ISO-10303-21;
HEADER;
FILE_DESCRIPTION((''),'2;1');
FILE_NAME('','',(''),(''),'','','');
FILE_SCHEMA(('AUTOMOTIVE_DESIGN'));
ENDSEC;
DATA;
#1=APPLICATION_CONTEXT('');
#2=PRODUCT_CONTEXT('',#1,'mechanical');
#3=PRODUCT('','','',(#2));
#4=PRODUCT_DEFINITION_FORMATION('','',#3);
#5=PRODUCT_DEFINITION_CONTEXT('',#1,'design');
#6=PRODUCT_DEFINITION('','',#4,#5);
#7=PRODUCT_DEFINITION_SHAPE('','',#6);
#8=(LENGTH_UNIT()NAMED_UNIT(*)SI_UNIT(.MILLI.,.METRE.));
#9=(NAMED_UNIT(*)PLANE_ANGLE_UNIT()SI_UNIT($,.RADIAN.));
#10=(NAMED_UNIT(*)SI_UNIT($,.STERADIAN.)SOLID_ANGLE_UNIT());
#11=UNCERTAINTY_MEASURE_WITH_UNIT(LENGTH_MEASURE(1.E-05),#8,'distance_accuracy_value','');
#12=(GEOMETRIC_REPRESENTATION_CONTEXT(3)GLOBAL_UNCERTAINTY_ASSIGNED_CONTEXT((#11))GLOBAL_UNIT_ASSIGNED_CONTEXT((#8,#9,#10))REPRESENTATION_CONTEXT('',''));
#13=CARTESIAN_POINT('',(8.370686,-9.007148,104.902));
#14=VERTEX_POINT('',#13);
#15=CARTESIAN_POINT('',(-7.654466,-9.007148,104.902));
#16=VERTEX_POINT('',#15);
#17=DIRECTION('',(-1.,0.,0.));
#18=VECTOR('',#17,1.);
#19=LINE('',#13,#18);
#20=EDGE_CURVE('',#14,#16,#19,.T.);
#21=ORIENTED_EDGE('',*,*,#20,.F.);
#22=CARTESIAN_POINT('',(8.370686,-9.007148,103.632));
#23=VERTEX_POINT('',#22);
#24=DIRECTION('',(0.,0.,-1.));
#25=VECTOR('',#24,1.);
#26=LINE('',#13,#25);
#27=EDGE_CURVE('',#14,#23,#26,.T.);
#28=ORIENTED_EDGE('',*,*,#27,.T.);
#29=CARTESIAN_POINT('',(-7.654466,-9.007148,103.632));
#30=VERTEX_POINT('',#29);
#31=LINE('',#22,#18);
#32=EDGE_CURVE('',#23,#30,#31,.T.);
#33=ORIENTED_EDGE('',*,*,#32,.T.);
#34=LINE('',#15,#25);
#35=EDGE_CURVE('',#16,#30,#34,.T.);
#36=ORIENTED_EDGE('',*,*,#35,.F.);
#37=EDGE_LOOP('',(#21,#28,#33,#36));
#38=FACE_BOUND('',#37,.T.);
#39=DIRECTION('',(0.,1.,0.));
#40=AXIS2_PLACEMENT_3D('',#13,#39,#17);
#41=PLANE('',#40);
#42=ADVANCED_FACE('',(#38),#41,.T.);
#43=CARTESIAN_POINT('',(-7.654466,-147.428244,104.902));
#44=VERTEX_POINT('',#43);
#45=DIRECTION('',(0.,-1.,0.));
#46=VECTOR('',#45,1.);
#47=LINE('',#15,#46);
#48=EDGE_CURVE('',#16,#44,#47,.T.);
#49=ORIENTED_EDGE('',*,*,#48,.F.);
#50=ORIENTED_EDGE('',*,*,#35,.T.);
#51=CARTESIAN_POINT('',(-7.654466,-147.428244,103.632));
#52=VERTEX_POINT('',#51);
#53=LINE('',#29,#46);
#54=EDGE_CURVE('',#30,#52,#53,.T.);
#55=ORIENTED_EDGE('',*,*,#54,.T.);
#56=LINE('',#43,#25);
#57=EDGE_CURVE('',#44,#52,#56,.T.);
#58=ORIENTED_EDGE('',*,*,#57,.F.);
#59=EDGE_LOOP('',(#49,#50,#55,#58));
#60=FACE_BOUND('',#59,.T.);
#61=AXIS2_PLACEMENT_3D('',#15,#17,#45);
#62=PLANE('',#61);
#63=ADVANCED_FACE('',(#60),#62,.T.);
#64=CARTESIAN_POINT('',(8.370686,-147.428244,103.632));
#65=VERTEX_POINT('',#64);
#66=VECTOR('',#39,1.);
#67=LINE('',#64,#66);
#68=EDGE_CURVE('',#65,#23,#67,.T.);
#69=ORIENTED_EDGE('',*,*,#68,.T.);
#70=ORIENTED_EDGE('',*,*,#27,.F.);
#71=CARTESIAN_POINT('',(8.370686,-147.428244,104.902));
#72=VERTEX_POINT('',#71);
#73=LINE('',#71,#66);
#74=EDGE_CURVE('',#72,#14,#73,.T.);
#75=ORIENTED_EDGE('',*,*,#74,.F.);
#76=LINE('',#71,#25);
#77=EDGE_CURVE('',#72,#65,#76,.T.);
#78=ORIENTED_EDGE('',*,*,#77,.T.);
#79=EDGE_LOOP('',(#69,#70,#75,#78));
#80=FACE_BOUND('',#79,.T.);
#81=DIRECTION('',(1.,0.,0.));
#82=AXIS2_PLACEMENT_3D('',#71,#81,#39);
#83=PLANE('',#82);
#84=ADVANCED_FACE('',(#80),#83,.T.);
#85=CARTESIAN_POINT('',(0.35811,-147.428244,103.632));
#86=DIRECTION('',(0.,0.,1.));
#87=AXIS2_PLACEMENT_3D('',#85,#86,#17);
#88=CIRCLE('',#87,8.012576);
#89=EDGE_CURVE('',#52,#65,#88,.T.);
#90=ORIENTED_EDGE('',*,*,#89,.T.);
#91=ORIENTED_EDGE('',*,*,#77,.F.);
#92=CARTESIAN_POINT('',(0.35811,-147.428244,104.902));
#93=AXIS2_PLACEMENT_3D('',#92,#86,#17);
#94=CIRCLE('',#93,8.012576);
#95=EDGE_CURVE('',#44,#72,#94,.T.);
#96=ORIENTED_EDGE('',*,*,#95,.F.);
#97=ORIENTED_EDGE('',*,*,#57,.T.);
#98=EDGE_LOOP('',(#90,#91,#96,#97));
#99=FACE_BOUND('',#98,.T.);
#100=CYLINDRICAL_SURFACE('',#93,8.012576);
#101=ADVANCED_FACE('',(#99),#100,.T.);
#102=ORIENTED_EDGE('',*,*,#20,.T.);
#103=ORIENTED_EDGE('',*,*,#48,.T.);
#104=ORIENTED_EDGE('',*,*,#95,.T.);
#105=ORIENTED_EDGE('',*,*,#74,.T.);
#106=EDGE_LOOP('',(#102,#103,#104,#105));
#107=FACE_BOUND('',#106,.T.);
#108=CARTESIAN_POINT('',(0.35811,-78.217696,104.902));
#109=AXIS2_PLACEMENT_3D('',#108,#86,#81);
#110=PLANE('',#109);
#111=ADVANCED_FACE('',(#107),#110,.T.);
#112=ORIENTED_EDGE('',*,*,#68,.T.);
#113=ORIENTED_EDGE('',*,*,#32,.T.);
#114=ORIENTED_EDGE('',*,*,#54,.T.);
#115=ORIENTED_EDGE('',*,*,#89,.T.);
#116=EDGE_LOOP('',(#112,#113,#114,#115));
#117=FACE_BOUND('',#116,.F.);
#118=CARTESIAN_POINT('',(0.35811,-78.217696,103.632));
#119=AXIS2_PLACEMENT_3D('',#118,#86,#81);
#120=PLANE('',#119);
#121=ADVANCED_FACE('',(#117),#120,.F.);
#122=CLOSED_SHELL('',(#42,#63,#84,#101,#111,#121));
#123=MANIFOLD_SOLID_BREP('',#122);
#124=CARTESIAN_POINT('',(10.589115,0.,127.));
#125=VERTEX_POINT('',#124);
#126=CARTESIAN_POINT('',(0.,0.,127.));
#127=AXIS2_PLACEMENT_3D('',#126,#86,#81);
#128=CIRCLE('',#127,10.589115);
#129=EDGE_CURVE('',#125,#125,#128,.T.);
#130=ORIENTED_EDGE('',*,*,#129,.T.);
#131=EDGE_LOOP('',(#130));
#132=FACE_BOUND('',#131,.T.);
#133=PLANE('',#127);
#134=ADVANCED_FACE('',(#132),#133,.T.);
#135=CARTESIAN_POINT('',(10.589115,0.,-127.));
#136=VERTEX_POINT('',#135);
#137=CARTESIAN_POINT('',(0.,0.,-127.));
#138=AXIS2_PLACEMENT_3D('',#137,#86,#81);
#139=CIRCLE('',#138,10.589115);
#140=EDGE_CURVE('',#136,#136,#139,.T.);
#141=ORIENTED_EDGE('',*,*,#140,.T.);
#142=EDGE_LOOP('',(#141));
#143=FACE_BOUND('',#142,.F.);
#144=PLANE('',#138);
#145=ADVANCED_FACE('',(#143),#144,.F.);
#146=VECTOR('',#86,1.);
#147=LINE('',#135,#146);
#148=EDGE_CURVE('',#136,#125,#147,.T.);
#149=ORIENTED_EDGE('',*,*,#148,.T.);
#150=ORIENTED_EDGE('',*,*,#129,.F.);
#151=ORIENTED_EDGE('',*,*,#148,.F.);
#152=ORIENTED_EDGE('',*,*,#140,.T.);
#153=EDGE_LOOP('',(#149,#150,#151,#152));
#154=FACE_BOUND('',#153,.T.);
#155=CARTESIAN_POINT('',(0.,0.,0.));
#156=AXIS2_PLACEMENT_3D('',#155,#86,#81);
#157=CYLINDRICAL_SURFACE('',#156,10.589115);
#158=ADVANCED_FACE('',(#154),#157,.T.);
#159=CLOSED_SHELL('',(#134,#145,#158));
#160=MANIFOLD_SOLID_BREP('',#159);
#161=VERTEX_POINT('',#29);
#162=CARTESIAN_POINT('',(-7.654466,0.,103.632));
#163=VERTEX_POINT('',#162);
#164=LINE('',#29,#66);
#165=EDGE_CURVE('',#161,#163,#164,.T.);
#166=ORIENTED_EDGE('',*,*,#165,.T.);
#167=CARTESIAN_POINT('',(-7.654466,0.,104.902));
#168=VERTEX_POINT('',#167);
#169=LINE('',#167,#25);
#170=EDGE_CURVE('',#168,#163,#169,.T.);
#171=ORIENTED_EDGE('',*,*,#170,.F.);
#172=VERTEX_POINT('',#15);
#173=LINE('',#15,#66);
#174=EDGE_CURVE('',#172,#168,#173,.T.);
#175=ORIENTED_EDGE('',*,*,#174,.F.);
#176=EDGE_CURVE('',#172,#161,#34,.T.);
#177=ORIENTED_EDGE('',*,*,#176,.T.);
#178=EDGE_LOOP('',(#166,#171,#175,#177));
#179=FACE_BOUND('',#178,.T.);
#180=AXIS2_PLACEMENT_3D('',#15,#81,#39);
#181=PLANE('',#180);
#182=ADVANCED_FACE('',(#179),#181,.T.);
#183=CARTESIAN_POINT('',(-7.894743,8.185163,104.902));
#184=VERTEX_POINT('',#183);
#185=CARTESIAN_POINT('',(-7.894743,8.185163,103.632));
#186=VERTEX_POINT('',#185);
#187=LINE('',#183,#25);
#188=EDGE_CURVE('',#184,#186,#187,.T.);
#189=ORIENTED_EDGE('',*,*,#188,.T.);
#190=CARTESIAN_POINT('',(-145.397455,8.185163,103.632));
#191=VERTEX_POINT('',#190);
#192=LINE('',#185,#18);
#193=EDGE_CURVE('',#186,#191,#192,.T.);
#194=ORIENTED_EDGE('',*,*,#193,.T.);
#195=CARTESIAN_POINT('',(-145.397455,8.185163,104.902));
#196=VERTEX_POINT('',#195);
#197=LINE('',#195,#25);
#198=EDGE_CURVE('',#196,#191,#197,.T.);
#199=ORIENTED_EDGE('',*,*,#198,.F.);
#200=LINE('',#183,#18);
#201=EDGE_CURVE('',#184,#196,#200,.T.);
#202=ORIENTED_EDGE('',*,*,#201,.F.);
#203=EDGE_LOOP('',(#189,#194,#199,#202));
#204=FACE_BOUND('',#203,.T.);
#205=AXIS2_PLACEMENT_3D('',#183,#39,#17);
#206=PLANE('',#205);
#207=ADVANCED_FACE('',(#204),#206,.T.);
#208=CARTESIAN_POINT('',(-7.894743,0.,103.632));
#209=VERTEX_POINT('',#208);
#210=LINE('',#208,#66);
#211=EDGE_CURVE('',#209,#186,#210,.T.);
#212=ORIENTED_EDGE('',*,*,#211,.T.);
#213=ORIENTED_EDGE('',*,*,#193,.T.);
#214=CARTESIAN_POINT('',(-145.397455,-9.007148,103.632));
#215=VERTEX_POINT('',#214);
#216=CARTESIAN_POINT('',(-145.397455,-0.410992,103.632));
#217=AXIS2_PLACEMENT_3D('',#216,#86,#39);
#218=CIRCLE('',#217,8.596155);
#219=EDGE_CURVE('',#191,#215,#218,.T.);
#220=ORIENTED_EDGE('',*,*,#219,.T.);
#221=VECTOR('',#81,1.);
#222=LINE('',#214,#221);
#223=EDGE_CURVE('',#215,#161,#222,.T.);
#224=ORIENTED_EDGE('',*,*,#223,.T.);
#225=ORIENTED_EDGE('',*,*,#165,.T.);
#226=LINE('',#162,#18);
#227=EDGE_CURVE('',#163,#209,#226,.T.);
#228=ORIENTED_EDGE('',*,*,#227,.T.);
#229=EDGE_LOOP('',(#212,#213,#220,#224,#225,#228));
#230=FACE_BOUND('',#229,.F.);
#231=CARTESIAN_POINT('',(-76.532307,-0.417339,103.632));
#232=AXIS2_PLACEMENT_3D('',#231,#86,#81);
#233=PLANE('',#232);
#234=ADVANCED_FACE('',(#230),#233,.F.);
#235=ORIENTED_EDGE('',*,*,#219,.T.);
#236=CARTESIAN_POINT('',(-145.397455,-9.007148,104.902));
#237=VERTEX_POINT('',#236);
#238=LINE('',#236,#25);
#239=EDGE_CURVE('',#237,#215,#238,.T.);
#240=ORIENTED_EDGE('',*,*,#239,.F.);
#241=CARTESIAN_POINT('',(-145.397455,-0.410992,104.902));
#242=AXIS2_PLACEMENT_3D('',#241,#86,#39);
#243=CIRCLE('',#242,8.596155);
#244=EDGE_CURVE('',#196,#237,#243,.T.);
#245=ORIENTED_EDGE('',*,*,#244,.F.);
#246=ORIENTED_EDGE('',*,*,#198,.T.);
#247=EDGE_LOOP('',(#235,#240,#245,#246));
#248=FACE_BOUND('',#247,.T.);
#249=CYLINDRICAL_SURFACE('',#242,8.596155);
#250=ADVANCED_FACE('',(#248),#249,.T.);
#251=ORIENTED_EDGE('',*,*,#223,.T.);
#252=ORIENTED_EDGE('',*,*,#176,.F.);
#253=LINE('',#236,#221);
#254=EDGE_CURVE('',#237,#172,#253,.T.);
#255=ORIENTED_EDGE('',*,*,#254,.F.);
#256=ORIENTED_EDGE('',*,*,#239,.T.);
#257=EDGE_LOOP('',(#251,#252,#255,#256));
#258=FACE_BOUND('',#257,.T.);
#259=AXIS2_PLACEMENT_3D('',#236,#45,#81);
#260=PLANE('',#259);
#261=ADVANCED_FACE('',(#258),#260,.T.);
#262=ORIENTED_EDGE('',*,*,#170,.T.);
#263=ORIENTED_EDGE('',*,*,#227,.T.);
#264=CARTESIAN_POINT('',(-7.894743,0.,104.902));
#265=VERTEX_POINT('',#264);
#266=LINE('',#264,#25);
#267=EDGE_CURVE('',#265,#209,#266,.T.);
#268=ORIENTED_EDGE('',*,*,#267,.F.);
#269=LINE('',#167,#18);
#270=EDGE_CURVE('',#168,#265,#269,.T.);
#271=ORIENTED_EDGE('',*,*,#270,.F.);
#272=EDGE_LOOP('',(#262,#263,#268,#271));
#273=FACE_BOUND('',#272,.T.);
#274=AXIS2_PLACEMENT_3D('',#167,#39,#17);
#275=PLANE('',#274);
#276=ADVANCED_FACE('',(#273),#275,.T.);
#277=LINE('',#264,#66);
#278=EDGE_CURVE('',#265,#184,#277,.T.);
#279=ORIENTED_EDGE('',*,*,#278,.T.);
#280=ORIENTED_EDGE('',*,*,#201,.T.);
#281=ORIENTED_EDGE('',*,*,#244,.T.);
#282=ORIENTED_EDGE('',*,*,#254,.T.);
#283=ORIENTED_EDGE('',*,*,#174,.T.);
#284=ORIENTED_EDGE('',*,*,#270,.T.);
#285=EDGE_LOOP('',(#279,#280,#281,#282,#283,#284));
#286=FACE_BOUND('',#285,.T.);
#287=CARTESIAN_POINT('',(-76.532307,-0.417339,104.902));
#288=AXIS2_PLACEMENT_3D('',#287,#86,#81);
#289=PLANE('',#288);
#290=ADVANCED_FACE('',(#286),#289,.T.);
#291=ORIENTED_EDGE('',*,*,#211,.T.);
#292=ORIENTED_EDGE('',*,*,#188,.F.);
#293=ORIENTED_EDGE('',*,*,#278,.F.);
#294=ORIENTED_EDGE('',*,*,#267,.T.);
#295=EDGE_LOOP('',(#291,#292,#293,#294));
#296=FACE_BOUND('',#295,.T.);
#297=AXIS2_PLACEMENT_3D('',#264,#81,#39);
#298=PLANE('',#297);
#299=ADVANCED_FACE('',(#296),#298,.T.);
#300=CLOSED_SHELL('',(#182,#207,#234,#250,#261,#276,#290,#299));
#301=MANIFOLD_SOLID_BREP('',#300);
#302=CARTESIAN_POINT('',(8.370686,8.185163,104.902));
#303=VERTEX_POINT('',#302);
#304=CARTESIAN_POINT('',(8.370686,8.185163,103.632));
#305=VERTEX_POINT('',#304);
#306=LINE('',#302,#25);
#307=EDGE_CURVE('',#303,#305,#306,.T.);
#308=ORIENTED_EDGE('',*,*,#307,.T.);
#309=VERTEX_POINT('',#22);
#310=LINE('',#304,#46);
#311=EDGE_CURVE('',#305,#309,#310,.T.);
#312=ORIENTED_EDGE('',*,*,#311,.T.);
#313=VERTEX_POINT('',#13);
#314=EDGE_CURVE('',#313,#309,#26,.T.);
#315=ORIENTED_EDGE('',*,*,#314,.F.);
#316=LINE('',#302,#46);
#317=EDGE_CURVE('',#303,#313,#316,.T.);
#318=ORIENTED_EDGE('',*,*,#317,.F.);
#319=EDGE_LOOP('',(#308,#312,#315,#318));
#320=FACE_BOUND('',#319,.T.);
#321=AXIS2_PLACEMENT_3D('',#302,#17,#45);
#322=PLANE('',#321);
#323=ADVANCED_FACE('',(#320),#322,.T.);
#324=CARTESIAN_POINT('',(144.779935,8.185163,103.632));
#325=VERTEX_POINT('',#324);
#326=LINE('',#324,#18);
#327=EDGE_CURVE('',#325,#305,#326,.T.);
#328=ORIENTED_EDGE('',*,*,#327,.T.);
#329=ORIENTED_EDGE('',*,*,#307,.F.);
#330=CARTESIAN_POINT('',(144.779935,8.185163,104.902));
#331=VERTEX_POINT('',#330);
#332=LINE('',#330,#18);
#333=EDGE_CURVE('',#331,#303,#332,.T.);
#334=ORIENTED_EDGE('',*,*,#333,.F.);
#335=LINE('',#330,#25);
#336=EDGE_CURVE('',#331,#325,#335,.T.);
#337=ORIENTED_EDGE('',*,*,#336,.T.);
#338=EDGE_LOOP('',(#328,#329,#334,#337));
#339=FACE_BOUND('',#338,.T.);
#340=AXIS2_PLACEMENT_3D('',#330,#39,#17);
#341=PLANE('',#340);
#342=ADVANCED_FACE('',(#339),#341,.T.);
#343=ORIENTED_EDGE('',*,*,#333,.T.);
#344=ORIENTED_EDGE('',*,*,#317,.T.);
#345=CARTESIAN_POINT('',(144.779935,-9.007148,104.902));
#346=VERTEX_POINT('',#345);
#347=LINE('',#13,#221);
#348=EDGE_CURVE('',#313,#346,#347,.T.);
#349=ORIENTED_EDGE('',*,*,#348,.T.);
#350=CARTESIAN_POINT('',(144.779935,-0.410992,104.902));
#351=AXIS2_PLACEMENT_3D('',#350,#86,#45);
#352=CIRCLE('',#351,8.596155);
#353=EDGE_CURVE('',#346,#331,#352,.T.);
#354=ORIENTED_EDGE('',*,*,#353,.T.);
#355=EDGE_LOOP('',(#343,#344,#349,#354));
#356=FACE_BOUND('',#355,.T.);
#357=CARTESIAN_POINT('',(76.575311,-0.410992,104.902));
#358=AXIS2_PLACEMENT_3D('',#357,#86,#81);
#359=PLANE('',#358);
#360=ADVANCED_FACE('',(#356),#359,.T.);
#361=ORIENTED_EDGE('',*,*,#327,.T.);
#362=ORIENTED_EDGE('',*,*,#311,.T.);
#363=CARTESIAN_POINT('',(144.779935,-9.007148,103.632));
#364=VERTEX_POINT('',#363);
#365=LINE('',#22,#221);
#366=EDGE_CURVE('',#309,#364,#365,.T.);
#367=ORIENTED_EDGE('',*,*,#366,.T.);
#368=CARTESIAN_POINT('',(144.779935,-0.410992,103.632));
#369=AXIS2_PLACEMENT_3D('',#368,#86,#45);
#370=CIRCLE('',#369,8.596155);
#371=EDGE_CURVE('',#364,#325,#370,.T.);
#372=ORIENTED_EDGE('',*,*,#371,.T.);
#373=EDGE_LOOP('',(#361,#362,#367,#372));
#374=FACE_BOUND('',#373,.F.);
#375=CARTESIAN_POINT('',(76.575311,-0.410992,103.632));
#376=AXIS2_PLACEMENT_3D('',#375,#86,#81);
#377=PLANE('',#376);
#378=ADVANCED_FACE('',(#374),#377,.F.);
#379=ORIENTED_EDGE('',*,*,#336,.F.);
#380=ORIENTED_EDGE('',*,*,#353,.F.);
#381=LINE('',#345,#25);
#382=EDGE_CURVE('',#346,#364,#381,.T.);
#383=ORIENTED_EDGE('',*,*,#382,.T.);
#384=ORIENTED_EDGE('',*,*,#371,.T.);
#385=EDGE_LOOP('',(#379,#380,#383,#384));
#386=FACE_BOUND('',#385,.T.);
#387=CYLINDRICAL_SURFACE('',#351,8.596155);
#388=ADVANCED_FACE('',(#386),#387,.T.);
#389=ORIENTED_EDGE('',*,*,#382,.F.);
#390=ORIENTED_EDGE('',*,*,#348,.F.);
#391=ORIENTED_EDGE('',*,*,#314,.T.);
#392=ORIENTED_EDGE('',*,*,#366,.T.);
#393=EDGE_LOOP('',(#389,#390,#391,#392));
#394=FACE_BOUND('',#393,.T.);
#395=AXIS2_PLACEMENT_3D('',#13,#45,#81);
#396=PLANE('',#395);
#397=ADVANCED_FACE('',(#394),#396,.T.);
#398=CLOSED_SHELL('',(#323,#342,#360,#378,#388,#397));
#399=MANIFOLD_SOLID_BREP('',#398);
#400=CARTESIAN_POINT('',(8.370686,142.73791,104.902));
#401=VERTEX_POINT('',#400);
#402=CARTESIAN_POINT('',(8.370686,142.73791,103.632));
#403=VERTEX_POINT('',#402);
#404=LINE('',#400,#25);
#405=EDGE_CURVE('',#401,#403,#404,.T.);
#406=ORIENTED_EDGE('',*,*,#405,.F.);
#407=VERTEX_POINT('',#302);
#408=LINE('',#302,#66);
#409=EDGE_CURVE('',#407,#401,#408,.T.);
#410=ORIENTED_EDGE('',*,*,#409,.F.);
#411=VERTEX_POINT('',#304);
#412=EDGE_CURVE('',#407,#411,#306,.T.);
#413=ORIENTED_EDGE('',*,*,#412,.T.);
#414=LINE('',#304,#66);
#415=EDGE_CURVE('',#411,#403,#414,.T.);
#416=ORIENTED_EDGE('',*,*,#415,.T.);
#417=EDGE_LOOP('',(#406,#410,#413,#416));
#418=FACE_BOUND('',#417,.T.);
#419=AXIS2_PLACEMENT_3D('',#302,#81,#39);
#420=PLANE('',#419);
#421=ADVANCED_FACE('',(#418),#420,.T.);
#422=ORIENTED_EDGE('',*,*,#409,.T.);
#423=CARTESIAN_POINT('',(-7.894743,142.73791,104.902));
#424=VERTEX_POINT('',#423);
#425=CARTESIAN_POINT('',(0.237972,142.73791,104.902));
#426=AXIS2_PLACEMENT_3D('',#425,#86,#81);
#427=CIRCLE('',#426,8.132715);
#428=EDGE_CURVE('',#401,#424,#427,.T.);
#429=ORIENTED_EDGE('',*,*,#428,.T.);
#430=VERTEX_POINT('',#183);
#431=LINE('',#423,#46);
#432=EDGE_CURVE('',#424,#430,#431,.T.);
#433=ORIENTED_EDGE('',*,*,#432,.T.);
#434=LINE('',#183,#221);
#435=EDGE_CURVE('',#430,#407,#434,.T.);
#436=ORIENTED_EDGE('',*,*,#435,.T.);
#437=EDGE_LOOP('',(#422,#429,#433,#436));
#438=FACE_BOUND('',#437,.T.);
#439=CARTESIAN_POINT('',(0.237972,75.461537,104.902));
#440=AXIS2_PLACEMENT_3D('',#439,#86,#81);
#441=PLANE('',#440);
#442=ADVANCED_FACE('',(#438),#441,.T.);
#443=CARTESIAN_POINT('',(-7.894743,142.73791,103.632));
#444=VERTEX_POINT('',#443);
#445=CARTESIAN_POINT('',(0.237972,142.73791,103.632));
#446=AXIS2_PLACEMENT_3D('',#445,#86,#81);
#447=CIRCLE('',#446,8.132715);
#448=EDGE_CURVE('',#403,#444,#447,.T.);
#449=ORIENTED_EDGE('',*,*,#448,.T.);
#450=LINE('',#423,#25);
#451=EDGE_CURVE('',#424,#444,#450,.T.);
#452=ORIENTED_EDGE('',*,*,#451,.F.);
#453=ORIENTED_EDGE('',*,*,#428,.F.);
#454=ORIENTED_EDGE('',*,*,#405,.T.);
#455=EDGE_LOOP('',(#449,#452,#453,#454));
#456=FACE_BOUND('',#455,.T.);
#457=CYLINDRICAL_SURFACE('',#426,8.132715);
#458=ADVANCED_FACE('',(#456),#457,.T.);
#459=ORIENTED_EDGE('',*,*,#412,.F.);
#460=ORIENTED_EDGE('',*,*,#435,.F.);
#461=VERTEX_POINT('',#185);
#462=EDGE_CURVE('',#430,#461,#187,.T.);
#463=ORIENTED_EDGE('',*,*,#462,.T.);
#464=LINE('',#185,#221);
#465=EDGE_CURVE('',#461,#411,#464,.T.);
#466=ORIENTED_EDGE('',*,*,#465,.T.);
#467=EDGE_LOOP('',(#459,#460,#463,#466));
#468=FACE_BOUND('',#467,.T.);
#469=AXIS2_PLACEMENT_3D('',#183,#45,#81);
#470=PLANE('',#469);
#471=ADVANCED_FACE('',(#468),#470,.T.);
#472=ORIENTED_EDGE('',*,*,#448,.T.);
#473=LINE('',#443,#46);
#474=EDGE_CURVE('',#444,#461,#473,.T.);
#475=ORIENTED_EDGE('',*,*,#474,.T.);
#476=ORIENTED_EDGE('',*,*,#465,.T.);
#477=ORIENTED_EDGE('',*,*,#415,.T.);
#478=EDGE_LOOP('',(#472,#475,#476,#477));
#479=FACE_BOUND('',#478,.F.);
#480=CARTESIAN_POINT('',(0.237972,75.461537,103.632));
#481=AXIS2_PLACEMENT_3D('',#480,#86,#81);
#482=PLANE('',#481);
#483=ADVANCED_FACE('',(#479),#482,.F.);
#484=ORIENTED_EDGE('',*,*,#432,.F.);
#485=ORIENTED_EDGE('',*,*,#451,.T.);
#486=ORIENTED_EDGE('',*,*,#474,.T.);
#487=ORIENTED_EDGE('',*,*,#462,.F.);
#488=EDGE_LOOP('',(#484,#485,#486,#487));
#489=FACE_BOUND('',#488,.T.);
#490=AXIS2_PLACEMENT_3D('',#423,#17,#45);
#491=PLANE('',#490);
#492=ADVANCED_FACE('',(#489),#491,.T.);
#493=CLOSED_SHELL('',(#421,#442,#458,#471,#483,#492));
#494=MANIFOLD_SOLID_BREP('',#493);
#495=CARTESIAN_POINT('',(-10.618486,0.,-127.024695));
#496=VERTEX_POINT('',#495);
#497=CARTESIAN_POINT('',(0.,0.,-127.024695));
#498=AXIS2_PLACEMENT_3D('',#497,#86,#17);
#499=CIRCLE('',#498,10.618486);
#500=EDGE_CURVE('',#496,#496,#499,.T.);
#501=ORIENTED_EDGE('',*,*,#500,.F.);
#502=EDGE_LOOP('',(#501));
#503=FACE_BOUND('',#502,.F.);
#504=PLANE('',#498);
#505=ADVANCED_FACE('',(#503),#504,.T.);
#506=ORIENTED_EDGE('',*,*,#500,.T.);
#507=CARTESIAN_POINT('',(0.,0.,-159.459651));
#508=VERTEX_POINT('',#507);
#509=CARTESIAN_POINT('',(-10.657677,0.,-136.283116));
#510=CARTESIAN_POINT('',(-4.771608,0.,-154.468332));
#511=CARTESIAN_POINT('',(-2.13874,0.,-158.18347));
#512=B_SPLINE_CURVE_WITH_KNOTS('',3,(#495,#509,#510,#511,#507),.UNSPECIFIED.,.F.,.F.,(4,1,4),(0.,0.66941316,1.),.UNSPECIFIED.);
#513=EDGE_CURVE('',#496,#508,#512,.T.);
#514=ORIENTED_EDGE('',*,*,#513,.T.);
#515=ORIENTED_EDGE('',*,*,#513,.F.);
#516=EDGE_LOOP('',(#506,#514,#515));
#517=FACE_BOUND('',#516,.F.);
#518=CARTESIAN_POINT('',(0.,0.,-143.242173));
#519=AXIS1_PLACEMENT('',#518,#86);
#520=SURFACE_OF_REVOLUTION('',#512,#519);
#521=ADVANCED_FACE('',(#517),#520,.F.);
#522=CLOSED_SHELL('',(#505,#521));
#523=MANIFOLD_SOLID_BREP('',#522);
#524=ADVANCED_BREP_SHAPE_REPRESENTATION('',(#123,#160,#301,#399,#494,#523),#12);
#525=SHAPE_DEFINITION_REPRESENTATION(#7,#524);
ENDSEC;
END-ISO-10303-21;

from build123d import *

# Parameters (mm, degrees)
F0_R     = 10.5891149713
F1_DEPTH = 127
F4_DEPTH = 1.27


with BuildPart() as f1:
    # F0 (on Top) → F1 (new body, symmetric)
    with BuildSketch(Plane.XY):
        Circle(F0_R)
    extrude(amount=F1_DEPTH, both=True)


with BuildPart() as f4:
    # F3 (on offset) → F4 (new body)
    with BuildSketch(Plane.XY.offset(104.902)):
        Polygon((-7.8947432339, 0), (-7.8947432339, 8.1851631403), (-145.3974545002, 8.1851631403), (-145.3974545002, -9.0071475133), (-7.654465735, -9.0071475133), (-7.654465735, 0), align=None)
        with BuildLine():
            Line((-145.3974545002, -9.0071475133), (-145.3974545002, 8.1851631403))
            ThreePointArc((-145.3974545002, 8.1851631403), (-153.993609827, -0.4109921865), (-145.3974545002, -9.0071475133))
        make_face()
    extrude(amount=-F4_DEPTH)


with BuildPart() as f4b:
    # F3 (on offset) → F4, piece 2 (new body)
    with BuildSketch(Plane.XY.offset(104.902)):
        Polygon((-0.617519021, 8.1851631403), (0, 8.1851631403), (8.3706863225, 8.1851631403), (8.3706863225, 142.7379101515), (-7.8947432339, 142.7379101515), (-7.8947432339, 8.1851631403), align=None)
        with BuildLine():
            Line((-7.8947432339, 142.7379101515), (8.3706863225, 142.7379101515))
            ThreePointArc((8.3706863225, 142.7379101515), (0.2379715443, 150.8706249297), (-7.8947432339, 142.7379101515))
        make_face()
    extrude(amount=-F4_DEPTH)


with BuildPart() as f4c:
    # F3 (on offset) → F4, piece 3 (new body)
    with BuildSketch(Plane.XY.offset(104.902)):
        Polygon((144.7799354792, 8.1851631403), (8.3706863225, 8.1851631403), (8.3706863225, 0), (8.3706863225, -9.0071475133), (144.7799354792, -9.0071475133), align=None)
        with BuildLine():
            ThreePointArc((144.7799354792, -9.0071475133), (153.376090806, -0.4109921865), (144.7799354792, 8.1851631403))
            Line((144.7799354792, 8.1851631403), (144.7799354792, -9.0071475133))
        make_face()
    extrude(amount=-F4_DEPTH)


with BuildPart() as f4d:
    # F3 (on offset) → F4, piece 4 (new body)
    with BuildSketch(Plane.XY.offset(104.902)):
        Polygon((8.3706863225, -9.0071475133), (0, -9.0071475133), (-0.617519021, -9.0071475133), (-7.654465735, -9.0071475133), (-7.654465735, -147.4282443523), (8.3706863225, -147.4282443523), align=None)
        with BuildLine():
            ThreePointArc((-7.654465735, -147.4282443523), (0.3581102937, -155.440820381), (8.3706863225, -147.4282443523))
            Line((8.3706863225, -147.4282443523), (-7.654465735, -147.4282443523))
        make_face()
    extrude(amount=-F4_DEPTH)


with BuildPart() as f6:
    # F5 (on Front) → F6 (revolve)
    with BuildSketch(Plane.XZ):
        with BuildLine():
            Line((0, -159.4596505165), (-10.6184864417, -127.0246952772))
            add(Edge.make_bspline(
                [(-10.6184864417, -127.0246952772), (-10.6576769925, -136.2831163712), (-4.7716083946, -154.4683316092), (-2.1387403831, -158.1834703684), (0, -159.4596505165)],
                knots=[0, 0, 0, 0, 0.6694131599, 1, 1, 1, 1], degree=3))
        make_face()
        Polygon((0, -159.4596505165), (0, -127.0246952772), (-10.6184864417, -127.0246952772), align=None)
    revolve(axis=Axis((0, 0, -143.2421728969), (0, 0, 1)))


solid = Compound([f1.part, f4.part, f4b.part, f4c.part, f4d.part, f6.part])
